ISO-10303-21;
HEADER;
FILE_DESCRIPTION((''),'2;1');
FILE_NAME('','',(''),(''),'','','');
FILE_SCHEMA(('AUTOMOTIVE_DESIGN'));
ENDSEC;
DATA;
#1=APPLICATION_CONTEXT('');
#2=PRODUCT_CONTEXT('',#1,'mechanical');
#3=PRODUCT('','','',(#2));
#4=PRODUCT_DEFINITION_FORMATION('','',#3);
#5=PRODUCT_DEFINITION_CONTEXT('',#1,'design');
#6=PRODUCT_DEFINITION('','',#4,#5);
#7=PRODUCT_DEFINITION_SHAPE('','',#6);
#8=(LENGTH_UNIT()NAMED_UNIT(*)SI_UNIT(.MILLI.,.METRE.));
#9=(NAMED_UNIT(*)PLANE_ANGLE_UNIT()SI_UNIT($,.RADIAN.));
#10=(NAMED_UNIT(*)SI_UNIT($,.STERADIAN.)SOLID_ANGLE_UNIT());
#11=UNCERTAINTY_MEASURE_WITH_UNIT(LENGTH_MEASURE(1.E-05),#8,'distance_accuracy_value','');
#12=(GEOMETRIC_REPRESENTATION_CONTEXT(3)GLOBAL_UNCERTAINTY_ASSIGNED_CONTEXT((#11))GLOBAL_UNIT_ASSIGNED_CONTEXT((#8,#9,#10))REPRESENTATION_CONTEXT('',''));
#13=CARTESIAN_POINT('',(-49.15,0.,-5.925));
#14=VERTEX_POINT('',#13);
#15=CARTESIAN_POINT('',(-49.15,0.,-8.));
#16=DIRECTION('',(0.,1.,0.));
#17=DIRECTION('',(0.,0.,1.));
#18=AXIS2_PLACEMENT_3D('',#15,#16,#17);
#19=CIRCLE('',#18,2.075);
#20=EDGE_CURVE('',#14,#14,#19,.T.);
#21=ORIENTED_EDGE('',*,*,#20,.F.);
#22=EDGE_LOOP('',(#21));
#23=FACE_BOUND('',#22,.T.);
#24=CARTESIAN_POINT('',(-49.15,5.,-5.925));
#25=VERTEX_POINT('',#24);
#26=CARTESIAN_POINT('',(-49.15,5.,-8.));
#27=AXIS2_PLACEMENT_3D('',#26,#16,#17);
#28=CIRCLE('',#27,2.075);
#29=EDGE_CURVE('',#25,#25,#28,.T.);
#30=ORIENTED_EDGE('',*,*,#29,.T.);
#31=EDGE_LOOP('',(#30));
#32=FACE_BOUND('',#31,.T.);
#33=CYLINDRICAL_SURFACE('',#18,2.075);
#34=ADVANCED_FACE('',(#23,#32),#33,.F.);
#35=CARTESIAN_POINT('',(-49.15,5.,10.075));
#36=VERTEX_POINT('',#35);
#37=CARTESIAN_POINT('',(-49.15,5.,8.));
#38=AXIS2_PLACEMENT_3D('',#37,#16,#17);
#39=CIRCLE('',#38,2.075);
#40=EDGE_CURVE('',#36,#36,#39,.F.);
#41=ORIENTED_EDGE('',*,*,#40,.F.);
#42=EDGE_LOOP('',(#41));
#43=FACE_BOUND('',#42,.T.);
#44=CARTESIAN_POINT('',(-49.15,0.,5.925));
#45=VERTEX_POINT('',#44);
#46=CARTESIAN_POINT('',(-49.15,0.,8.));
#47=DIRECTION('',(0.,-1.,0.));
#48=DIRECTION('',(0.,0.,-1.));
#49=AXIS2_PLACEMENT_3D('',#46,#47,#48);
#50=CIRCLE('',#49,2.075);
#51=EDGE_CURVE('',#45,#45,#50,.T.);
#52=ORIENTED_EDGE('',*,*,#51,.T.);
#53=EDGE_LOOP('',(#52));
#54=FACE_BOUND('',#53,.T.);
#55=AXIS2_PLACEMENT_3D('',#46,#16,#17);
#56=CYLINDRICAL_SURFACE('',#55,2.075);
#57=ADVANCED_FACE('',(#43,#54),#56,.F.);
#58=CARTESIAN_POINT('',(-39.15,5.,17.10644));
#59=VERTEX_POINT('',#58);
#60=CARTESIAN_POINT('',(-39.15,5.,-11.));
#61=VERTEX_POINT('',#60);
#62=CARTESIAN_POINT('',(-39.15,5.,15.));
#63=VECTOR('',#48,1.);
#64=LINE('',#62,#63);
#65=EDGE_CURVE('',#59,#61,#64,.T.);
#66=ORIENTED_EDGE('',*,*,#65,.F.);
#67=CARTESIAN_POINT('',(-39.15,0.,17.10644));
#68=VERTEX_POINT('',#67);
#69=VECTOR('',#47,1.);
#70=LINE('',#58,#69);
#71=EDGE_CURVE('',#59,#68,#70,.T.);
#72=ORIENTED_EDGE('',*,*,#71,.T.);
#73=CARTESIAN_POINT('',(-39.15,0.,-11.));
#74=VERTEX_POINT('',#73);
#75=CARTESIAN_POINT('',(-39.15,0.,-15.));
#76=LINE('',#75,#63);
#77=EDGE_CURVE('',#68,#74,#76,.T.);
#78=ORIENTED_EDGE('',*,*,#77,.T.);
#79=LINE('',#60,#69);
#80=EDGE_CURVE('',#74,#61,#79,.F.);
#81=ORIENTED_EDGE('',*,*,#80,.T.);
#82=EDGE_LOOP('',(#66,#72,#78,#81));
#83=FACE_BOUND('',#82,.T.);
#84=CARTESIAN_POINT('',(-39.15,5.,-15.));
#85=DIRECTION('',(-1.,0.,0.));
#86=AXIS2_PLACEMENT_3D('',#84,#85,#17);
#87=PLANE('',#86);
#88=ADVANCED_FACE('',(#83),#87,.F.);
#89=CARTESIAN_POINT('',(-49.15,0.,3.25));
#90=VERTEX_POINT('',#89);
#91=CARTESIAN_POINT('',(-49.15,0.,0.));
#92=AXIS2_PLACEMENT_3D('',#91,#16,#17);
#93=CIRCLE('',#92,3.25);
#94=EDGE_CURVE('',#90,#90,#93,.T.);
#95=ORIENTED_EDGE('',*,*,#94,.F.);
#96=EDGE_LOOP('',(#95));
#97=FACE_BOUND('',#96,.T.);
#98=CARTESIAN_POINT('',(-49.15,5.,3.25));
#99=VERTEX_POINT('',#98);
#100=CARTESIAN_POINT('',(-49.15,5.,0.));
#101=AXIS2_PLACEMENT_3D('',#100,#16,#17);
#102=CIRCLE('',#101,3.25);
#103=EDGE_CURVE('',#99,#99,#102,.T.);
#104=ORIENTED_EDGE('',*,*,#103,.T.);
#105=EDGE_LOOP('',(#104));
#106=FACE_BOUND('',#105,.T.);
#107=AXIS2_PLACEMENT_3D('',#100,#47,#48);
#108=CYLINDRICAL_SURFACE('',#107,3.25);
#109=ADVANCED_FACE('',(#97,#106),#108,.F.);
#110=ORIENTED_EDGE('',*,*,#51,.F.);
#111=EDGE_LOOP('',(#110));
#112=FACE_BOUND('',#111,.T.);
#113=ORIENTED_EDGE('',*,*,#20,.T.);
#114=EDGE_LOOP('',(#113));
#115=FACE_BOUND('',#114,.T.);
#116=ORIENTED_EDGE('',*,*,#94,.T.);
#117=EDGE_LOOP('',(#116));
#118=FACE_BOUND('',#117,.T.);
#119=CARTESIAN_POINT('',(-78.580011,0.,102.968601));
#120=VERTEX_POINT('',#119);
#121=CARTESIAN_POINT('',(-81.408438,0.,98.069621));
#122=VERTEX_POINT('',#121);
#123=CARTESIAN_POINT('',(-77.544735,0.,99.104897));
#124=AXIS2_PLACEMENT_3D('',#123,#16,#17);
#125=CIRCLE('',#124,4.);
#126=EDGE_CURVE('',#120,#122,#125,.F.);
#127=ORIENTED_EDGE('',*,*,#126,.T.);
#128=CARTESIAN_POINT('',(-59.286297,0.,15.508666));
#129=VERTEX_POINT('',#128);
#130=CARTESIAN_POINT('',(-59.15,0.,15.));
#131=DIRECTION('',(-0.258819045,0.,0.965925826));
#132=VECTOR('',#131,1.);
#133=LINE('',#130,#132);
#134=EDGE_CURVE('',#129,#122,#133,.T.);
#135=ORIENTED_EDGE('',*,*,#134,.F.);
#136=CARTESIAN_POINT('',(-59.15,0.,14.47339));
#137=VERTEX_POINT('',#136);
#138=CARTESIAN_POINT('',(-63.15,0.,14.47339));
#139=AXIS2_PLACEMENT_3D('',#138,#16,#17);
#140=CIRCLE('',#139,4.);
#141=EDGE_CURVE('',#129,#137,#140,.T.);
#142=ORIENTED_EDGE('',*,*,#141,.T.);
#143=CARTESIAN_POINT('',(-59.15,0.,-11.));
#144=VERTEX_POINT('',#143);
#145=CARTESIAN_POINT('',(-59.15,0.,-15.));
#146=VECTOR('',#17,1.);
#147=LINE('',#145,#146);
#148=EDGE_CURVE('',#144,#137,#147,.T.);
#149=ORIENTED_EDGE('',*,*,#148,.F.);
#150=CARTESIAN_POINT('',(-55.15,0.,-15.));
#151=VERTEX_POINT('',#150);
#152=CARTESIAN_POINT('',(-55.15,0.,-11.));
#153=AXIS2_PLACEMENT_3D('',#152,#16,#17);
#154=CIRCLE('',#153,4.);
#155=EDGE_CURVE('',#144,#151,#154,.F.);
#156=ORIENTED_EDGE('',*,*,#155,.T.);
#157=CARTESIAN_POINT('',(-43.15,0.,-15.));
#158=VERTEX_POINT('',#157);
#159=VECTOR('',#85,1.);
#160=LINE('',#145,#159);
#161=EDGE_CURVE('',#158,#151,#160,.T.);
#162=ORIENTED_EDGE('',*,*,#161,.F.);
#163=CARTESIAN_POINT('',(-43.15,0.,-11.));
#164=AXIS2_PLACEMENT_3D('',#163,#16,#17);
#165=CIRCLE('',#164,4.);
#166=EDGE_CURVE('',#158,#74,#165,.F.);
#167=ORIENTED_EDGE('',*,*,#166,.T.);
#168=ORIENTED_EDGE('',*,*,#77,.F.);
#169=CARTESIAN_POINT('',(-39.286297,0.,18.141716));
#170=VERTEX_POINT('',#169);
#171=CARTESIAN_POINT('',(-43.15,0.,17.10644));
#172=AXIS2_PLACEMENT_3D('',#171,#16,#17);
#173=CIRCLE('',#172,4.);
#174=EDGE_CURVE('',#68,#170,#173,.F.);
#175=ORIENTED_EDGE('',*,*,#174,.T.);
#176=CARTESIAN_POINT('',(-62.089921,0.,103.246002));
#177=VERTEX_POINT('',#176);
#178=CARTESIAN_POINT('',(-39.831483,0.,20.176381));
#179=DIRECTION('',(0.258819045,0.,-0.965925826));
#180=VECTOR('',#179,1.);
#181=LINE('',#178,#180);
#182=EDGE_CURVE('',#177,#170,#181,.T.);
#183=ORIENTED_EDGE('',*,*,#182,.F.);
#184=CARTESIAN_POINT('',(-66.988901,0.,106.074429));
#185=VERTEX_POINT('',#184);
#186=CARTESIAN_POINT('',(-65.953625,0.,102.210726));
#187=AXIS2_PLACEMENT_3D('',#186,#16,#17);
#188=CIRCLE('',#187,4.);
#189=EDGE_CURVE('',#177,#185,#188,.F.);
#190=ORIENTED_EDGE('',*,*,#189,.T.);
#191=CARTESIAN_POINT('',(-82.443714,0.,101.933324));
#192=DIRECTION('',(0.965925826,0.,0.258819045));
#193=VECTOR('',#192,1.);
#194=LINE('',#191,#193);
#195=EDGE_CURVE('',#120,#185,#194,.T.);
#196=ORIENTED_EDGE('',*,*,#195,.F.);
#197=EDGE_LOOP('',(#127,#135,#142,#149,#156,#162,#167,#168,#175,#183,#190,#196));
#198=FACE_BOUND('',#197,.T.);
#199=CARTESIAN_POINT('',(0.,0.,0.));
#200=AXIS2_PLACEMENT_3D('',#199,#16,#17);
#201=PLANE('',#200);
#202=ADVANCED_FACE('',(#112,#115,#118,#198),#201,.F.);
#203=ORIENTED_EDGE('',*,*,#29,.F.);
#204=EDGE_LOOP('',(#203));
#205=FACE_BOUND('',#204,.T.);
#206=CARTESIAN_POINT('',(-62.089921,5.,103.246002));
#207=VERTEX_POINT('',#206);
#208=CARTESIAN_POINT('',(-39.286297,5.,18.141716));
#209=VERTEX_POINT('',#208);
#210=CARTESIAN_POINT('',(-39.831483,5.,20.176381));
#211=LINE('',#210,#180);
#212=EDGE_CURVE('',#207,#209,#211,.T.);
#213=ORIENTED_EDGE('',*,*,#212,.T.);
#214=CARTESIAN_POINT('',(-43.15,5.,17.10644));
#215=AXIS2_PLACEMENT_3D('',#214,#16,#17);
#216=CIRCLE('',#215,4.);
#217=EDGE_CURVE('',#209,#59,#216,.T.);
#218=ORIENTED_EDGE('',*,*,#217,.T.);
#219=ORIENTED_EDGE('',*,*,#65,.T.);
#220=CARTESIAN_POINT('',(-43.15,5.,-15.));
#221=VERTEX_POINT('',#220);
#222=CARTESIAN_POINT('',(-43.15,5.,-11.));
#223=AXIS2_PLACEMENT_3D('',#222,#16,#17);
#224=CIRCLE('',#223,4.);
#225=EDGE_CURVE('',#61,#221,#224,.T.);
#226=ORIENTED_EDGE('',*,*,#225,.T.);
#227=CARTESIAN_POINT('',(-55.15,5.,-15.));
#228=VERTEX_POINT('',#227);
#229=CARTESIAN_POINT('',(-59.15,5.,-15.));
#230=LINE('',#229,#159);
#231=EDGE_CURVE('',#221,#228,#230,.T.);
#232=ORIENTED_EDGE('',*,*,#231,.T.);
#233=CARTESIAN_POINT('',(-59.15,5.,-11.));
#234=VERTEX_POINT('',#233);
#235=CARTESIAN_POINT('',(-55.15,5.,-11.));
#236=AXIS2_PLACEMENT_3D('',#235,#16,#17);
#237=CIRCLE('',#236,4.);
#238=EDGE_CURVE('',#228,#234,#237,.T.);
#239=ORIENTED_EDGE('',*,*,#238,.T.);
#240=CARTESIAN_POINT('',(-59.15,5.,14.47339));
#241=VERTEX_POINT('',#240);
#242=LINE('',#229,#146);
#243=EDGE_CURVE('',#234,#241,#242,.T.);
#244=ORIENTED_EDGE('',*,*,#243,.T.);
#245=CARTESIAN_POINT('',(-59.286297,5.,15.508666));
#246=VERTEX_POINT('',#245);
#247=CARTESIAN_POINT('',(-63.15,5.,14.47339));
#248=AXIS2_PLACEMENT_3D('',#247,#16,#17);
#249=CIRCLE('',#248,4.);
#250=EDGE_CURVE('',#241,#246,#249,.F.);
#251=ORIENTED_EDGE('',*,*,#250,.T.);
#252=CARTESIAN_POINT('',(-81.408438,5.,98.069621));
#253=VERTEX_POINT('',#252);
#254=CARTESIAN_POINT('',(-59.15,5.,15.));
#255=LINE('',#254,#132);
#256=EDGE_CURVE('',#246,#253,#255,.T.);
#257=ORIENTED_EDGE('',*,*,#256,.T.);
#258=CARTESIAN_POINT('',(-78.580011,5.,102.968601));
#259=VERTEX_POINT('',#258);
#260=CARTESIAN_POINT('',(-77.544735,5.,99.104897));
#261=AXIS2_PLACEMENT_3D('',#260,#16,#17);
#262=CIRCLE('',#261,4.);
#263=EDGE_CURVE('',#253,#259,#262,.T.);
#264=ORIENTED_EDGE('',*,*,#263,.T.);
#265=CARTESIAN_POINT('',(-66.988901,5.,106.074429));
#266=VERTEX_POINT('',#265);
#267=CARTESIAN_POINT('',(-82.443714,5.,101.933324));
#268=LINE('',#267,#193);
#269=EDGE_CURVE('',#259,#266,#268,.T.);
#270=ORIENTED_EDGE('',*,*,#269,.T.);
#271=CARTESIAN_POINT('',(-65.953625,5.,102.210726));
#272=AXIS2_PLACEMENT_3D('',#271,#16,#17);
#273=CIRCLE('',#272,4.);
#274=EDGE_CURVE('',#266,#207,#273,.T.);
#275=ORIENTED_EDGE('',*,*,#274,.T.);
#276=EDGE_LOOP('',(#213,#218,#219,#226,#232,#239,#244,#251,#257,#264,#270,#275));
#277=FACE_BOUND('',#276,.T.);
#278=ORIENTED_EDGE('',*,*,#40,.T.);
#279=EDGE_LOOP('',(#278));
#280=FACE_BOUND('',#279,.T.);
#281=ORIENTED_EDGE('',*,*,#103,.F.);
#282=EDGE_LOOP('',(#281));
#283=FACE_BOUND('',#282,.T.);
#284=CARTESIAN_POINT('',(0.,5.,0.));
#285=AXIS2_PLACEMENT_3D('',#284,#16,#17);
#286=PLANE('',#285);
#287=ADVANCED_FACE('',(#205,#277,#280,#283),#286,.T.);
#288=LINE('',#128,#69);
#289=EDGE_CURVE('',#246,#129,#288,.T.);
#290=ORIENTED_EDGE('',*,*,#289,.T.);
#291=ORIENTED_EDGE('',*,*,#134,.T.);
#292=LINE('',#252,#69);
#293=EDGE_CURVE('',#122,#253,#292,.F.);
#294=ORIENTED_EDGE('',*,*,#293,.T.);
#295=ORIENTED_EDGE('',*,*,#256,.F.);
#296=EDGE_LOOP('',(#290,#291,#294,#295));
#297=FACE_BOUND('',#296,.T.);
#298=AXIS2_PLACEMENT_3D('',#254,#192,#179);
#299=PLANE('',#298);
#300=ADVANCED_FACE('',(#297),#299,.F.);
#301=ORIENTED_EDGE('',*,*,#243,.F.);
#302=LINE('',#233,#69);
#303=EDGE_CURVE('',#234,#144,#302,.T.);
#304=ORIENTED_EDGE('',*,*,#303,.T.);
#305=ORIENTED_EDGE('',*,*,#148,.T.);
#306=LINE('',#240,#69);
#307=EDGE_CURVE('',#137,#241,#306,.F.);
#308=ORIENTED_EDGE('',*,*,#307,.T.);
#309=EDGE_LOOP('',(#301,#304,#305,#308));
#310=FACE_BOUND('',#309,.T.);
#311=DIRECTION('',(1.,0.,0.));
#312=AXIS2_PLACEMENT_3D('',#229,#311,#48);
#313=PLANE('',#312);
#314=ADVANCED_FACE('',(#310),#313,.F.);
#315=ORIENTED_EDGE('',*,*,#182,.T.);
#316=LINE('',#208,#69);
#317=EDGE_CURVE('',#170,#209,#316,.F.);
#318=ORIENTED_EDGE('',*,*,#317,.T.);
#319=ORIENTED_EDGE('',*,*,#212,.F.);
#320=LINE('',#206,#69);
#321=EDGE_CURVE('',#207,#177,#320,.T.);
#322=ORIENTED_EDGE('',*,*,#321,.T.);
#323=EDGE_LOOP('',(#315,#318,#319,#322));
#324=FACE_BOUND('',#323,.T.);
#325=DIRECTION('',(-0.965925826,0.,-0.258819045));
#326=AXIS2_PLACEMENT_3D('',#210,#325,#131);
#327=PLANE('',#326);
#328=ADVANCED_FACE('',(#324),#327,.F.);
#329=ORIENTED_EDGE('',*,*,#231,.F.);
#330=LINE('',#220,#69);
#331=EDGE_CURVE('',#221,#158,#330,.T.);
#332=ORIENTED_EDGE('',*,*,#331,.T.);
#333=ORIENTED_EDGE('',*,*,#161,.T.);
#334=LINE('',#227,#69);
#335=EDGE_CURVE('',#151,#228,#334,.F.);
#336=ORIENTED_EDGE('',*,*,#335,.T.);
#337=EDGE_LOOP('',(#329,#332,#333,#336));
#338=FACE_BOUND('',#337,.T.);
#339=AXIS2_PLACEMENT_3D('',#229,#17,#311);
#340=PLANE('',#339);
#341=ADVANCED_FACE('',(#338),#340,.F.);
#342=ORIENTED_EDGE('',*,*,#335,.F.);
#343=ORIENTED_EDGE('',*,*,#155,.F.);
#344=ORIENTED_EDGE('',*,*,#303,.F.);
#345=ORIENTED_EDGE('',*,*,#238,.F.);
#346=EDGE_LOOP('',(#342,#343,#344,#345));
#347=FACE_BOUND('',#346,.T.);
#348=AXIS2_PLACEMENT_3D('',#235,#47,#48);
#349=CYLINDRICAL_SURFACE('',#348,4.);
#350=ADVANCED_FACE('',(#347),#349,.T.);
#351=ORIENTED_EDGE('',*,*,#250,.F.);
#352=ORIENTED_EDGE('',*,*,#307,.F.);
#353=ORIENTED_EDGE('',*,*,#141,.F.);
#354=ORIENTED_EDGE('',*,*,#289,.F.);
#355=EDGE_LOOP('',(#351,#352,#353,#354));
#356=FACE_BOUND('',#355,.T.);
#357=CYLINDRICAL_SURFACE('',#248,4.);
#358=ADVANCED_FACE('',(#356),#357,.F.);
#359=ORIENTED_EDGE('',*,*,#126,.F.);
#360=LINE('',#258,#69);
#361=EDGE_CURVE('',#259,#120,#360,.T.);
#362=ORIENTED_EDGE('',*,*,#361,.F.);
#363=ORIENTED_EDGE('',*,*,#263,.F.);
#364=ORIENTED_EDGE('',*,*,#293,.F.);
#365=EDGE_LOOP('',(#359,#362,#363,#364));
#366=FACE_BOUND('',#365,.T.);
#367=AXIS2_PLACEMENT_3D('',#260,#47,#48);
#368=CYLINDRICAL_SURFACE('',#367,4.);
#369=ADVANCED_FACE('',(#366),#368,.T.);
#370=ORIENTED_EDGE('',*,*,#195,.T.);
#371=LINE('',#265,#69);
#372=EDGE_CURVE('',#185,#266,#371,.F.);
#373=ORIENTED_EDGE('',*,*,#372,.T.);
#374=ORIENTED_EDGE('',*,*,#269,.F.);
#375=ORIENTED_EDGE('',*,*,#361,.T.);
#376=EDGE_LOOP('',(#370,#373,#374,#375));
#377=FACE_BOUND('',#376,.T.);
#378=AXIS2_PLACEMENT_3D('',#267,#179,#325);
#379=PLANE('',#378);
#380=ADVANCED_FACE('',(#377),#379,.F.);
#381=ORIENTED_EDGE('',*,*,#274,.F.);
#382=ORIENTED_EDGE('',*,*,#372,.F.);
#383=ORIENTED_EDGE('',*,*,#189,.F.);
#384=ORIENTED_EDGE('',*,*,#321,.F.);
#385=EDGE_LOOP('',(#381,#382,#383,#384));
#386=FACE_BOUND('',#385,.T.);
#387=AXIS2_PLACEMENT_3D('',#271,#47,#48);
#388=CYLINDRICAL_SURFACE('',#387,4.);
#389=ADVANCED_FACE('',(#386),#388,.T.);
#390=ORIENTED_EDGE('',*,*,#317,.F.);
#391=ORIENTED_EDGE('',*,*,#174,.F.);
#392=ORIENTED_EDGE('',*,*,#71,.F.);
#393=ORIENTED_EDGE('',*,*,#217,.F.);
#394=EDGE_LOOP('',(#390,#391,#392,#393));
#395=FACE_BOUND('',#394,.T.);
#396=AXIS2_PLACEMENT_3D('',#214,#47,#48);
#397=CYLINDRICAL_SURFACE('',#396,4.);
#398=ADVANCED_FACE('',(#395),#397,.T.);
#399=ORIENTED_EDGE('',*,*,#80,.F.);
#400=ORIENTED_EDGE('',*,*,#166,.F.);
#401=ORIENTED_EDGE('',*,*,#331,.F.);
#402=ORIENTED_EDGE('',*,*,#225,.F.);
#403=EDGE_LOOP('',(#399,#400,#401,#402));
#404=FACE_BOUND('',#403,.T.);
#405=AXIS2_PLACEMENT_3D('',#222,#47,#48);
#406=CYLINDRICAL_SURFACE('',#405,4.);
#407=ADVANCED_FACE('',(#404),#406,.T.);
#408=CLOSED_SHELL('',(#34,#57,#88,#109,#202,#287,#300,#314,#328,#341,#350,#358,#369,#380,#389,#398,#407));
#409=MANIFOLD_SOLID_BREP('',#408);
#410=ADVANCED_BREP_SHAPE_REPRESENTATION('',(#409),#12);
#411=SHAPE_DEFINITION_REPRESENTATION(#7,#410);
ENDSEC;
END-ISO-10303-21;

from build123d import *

# Parameters (mm, degrees)
SKETCH1_R           = 3.25
BOSS_EXTRUDE1_DEPTH = 5
CUT_EXTRUDE1_START  = -6
SKETCH2_R           = 2.075
CUT_EXTRUDE1_DEPTH  = 7
FILLET1_R           = 4


with BuildPart() as part:
    # Sketch1 → Boss-Extrude1 (new body)
    with BuildSketch(Plane(origin=(0, 0, 0), x_dir=(1, 0, 0), z_dir=(0, 1, 0))):
        Polygon((-59.15, -15), (-82.443714059, -101.933324366), (-63.125197533, -107.109705268), (-39.831483474, -20.176380902), (-39.15, -17.633049952), (-39.15, -15), (-39.15, 15), (-59.15, 15), align=None)
        with Locations((-49.15, 0)):
            Circle(SKETCH1_R, mode=Mode.SUBTRACT)
    extrude(amount=BOSS_EXTRUDE1_DEPTH)

    # Sketch2 → Cut-Extrude1 (cut)
    with BuildSketch(Plane(origin=(0, 5, 0), x_dir=(1, 0, 0), z_dir=(0, 1, 0)).offset(CUT_EXTRUDE1_START)):
        with Locations((-49.15, 8)):
            Circle(SKETCH2_R)
    cut_extrude1 = extrude(amount=CUT_EXTRUDE1_DEPTH, mode=Mode.SUBTRACT)

    # Mirror1: Cut-Extrude1 across plane
    add(cut_extrude1.mirror(Plane.XY), mode=Mode.SUBTRACT)

    # Fillet1
    fillet1_edges = [part.edges().sort_by_distance(p)[0] for p in [
        (-39.15, 2.5, 17.633049952),
        (-63.125197533, 2.5, 107.109705268),
        (-82.443714059, 2.5, 101.933324366),
        (-59.15, 2.5, 15),
        (-59.15, 2.5, -15),
        (-39.15, 2.5, -15),
    ]]
    fillet(fillet1_edges, radius=FILLET1_R)


solid = part.part
